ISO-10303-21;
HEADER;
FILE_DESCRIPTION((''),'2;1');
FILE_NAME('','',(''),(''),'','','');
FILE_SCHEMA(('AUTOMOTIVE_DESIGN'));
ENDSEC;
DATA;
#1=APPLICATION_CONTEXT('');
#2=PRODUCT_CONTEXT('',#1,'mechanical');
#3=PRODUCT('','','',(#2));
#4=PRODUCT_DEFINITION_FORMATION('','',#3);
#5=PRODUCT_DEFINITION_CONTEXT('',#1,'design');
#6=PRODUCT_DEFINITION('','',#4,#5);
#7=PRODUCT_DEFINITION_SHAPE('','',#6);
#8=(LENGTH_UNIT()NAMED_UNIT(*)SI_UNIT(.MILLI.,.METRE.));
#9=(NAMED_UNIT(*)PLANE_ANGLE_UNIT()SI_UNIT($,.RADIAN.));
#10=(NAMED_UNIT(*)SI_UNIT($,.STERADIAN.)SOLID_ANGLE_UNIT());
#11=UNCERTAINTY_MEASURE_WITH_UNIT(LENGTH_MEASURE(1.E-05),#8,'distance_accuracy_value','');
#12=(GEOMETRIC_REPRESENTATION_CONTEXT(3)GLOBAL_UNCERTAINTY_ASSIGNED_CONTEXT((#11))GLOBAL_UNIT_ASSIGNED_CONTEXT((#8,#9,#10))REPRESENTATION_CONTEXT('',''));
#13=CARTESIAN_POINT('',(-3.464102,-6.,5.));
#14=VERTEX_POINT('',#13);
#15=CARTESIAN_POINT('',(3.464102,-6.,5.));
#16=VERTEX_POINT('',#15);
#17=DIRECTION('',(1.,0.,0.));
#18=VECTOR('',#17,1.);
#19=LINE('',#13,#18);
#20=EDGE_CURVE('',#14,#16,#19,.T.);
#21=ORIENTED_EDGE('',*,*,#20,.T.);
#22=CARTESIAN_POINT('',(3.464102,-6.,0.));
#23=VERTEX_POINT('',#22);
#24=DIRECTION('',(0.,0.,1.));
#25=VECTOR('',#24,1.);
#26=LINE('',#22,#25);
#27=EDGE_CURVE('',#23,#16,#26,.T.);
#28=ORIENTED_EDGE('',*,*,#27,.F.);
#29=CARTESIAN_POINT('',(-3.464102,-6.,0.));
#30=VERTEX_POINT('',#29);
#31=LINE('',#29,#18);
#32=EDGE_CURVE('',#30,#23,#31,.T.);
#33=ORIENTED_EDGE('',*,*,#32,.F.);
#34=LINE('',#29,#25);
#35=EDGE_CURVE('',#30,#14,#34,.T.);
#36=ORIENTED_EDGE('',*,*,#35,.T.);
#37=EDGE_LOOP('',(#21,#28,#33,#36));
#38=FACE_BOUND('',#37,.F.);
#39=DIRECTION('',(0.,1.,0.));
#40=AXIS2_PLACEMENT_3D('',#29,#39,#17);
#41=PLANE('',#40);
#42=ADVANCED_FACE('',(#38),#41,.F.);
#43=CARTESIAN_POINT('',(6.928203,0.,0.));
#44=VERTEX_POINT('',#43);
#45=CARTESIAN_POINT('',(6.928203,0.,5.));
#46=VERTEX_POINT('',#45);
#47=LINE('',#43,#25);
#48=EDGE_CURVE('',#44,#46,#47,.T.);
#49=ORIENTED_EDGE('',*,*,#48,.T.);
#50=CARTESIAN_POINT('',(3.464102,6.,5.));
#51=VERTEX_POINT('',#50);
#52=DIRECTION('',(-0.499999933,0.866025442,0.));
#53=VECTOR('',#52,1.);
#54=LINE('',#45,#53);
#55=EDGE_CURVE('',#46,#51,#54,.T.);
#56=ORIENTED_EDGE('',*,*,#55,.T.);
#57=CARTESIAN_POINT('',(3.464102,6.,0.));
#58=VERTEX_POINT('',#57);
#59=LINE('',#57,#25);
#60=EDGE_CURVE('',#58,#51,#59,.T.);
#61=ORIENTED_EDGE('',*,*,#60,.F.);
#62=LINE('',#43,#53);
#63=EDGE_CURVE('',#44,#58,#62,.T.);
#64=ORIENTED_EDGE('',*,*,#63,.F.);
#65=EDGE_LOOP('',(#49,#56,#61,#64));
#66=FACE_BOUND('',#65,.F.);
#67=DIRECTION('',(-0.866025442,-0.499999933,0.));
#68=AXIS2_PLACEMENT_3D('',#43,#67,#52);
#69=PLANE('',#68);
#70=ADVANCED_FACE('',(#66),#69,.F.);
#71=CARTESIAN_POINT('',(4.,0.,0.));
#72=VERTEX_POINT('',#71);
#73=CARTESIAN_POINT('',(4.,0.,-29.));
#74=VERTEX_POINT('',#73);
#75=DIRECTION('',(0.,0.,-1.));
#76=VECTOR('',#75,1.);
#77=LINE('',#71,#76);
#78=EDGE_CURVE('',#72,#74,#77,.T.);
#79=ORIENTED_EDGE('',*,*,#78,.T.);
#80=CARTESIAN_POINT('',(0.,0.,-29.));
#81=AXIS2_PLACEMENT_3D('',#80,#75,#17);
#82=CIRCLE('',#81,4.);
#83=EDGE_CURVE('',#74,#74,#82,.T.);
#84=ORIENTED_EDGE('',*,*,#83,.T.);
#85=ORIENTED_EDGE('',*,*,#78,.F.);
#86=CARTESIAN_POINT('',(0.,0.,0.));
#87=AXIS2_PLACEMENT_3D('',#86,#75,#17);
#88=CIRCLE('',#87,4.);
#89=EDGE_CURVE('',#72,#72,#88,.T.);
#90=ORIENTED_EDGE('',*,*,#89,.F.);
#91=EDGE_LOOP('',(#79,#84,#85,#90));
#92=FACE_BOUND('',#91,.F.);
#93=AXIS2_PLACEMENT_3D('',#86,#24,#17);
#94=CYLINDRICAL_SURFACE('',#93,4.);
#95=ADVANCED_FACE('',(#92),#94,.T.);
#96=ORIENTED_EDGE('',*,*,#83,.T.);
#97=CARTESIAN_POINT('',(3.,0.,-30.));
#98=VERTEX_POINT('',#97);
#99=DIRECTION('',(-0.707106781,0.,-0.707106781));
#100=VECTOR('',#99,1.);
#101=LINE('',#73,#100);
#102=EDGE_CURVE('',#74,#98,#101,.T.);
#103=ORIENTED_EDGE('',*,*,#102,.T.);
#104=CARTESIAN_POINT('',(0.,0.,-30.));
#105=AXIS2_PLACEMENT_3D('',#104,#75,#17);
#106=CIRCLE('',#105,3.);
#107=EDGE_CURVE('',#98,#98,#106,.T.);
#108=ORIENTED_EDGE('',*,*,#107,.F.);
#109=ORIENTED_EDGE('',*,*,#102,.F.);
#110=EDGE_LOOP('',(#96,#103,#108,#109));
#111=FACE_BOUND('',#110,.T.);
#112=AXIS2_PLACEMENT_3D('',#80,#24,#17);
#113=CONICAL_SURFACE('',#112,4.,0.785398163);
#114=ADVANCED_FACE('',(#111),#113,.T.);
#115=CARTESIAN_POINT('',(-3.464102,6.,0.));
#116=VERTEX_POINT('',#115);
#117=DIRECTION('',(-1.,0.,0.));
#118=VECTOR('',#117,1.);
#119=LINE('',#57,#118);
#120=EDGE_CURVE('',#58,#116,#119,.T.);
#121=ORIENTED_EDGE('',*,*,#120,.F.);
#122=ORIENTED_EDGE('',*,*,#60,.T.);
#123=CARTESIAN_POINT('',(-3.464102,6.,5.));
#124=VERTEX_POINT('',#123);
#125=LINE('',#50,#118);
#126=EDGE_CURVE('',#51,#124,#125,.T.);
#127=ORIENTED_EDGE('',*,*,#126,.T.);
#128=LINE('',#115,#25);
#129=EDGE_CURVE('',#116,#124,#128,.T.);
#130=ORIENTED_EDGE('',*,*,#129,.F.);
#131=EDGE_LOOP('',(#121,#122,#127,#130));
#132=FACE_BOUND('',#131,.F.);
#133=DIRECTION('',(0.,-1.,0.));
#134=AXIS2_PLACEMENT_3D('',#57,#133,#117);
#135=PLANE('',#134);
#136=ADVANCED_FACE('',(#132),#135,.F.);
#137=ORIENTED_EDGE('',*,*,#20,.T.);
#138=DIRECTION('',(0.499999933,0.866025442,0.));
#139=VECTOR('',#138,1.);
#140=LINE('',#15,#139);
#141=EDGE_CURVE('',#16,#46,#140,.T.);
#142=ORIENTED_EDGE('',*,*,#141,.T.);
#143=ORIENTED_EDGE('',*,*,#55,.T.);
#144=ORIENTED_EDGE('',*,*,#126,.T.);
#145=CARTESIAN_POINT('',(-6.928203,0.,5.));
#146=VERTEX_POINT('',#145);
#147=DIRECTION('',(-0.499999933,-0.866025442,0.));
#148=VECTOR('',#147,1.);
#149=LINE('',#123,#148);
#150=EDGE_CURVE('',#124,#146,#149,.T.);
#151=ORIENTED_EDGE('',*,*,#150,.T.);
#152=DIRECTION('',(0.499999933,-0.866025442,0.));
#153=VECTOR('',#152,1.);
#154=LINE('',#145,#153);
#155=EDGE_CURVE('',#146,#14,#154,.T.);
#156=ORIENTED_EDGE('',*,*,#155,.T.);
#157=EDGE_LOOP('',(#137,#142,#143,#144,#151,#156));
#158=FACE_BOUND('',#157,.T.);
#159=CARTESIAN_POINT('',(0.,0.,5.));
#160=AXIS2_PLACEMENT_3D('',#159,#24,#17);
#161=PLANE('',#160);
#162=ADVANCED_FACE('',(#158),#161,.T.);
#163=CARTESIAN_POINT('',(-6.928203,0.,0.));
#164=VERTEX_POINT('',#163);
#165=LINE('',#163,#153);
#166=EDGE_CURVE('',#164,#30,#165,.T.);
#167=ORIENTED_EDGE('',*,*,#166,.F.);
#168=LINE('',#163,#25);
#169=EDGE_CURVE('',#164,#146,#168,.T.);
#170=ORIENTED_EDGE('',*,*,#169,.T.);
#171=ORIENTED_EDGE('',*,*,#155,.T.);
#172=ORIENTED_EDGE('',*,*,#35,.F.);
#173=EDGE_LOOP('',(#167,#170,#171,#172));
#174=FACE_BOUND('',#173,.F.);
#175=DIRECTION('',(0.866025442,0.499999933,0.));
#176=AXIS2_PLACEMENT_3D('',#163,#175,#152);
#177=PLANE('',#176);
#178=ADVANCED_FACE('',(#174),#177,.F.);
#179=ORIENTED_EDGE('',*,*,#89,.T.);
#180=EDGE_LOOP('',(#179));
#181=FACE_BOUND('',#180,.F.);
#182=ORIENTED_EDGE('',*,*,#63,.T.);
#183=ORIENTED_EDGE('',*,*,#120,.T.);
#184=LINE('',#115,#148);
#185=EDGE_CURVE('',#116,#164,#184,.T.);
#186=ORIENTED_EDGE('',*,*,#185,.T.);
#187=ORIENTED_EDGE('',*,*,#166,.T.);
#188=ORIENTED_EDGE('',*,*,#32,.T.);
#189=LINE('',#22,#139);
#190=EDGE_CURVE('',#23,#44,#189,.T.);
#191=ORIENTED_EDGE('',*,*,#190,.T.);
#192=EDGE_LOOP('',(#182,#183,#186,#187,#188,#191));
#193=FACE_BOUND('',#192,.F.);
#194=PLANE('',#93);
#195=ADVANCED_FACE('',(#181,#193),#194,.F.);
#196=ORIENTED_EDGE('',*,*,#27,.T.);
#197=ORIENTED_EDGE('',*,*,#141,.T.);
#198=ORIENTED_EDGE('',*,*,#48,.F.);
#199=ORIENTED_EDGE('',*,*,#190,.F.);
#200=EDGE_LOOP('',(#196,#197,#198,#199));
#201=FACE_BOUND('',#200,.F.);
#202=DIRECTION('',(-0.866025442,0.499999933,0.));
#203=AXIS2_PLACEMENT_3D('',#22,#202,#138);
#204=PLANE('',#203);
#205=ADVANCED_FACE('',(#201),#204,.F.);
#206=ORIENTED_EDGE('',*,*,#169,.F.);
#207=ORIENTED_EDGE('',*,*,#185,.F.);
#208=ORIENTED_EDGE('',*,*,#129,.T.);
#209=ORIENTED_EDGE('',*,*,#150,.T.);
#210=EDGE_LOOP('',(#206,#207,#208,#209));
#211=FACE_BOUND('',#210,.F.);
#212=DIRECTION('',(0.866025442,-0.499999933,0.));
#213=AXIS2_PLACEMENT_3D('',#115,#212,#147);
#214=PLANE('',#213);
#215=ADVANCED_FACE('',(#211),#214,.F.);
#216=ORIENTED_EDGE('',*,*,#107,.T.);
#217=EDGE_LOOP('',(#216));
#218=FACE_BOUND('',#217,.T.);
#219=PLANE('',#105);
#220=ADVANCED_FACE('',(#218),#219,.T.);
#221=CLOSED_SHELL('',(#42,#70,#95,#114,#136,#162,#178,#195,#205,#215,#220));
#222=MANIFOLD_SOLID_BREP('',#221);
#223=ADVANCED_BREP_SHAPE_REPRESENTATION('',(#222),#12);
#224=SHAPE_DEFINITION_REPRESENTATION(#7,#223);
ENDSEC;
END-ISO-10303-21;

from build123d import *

# Parameters (mm, degrees)
F1_DEPTH = 5
F2_R     = 4
F3_DEPTH = 30
F4_SIZE  = 1


with BuildPart() as f1:
    # F0 (on Top) → F1 (new body)
    with BuildSketch(Plane.XY):
        Polygon((3.464102, 6), (-3.464102, 6), (-6.928203, 0), (-3.464102, -6), (3.464102, -6), (6.928203, 0), align=None)
    extrude(amount=F1_DEPTH)

    # F2 (on face) → F3 (join)
    with BuildSketch(Plane(origin=(0, 0, 0), x_dir=(1, 0, 0), z_dir=(0, 0, -1))):
        Circle(F2_R)
    extrude(amount=F3_DEPTH)

    # F4
    f4_edges = [f1.edges().sort_by_distance(p)[0] for p in [
        (-4, 0, -30),
    ]]
    chamfer(f4_edges, length=F4_SIZE)


solid = f1.part
